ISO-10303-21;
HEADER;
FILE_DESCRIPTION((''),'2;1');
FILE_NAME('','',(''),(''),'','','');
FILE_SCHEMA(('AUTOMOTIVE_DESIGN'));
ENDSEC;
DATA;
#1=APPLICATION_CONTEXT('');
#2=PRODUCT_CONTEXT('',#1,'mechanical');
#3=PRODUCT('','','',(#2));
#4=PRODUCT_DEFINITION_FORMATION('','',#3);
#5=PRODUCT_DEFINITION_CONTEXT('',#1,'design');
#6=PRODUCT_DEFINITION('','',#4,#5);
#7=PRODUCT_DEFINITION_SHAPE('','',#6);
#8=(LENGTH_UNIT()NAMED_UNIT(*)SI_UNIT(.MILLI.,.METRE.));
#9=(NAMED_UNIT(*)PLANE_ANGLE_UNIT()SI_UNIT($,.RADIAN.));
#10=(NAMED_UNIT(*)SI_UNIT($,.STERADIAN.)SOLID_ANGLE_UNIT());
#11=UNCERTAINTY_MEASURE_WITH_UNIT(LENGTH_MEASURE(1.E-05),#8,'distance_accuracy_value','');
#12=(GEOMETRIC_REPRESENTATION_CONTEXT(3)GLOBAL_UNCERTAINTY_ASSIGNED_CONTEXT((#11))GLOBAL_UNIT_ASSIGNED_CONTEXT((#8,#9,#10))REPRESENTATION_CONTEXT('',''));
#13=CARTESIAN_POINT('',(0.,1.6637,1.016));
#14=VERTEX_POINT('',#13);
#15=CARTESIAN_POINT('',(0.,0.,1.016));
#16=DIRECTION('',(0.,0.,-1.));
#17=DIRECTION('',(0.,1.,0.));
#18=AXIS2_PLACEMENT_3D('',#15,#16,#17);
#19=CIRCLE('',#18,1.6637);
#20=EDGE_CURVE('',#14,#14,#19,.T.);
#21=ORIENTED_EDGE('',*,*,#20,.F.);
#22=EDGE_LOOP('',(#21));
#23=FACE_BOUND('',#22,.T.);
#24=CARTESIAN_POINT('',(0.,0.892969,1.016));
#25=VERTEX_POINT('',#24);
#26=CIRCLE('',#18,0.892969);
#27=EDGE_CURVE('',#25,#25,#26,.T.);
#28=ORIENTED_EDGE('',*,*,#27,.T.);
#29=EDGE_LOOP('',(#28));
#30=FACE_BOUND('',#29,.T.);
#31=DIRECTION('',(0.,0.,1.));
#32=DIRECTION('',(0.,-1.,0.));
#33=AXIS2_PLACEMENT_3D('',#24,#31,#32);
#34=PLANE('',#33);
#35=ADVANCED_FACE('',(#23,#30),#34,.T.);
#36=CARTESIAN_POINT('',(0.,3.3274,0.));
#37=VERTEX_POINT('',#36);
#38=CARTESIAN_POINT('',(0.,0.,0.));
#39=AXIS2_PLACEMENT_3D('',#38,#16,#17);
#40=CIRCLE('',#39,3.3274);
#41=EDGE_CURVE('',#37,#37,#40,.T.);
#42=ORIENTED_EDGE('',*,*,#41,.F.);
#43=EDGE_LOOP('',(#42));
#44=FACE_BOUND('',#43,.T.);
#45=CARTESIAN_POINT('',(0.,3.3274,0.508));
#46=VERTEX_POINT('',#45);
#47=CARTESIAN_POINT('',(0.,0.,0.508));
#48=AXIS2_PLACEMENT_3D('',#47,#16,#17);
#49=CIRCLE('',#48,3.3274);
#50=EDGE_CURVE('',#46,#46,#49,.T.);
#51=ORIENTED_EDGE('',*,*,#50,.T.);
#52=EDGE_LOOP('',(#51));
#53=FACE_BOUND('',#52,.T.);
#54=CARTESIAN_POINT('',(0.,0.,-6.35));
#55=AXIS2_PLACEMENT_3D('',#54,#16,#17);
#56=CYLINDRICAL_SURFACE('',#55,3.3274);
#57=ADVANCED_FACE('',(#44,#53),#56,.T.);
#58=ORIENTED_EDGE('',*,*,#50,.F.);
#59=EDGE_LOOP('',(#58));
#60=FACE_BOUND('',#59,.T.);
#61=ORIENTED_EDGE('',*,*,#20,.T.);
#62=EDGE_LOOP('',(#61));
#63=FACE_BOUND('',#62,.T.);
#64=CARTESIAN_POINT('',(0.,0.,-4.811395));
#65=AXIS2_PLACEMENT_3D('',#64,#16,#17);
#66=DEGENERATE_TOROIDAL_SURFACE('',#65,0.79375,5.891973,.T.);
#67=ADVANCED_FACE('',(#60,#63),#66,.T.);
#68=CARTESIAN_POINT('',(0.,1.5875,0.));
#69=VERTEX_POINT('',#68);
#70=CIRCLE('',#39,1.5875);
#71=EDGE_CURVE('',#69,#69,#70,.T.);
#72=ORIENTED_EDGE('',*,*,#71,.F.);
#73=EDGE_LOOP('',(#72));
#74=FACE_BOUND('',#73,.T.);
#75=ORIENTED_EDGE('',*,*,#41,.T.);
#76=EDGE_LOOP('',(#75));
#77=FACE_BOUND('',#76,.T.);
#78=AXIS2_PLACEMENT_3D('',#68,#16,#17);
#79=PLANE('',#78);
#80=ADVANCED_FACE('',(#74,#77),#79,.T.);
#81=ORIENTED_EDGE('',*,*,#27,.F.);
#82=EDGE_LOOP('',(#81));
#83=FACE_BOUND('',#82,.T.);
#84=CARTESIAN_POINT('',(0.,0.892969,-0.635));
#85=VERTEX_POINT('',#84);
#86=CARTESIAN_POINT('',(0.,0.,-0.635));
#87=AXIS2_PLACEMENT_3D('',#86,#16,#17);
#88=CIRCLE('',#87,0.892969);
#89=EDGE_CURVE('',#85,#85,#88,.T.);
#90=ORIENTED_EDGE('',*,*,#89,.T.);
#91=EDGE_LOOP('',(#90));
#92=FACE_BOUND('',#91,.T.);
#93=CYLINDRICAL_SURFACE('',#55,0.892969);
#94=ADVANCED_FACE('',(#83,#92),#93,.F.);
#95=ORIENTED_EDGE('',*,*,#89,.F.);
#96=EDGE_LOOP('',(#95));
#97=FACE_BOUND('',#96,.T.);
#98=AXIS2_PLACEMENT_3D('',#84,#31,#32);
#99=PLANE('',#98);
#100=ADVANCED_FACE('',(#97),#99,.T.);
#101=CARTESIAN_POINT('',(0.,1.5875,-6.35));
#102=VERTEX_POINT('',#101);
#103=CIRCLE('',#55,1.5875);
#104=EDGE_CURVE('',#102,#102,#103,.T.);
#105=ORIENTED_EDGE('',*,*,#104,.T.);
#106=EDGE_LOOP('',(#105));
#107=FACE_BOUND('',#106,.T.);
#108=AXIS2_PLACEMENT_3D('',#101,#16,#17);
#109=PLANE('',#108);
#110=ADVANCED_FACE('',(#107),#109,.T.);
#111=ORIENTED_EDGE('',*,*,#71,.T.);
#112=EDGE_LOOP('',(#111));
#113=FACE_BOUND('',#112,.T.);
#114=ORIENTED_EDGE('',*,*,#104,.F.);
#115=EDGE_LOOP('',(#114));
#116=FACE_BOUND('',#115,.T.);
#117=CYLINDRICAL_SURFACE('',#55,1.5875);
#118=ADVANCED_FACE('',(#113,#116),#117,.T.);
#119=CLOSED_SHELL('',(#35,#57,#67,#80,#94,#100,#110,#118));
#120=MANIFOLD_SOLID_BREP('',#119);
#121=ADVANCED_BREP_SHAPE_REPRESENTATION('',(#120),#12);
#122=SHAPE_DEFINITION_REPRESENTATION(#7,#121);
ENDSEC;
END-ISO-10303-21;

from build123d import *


with BuildPart() as part:
    # Sketch2 → Revolve1 (revolve)
    with BuildSketch(Plane(origin=(0, 0, 0), x_dir=(0, 0, -1), z_dir=(1, 0, 0))):
        with BuildLine():
            Line((6.35, 1.5875), (0, 1.5875))
            Line((0, 1.5875), (0, 3.3274))
            Line((0, 3.3274), (-0.508, 3.3274))
            ThreePointArc((-0.508, 3.3274), (-0.823736431, 2.514400819), (-1.016, 1.6637))
            Line((-1.016, 1.6637), (-1.016, 0.89296875))
            Line((-1.016, 0.89296875), (0, 0.89296875))
            Line((0, 0.89296875), (0.635, 0.89296875))
            Line((0.635, 0.89296875), (0.635, 0))
            Line((0.635, 0), (6.35, 0))
            Line((6.35, 0), (6.35, 1.5875))
        make_face()
    revolve(axis=Axis((0, 0, -6.35), (0, 0, 1)))


solid = part.part
